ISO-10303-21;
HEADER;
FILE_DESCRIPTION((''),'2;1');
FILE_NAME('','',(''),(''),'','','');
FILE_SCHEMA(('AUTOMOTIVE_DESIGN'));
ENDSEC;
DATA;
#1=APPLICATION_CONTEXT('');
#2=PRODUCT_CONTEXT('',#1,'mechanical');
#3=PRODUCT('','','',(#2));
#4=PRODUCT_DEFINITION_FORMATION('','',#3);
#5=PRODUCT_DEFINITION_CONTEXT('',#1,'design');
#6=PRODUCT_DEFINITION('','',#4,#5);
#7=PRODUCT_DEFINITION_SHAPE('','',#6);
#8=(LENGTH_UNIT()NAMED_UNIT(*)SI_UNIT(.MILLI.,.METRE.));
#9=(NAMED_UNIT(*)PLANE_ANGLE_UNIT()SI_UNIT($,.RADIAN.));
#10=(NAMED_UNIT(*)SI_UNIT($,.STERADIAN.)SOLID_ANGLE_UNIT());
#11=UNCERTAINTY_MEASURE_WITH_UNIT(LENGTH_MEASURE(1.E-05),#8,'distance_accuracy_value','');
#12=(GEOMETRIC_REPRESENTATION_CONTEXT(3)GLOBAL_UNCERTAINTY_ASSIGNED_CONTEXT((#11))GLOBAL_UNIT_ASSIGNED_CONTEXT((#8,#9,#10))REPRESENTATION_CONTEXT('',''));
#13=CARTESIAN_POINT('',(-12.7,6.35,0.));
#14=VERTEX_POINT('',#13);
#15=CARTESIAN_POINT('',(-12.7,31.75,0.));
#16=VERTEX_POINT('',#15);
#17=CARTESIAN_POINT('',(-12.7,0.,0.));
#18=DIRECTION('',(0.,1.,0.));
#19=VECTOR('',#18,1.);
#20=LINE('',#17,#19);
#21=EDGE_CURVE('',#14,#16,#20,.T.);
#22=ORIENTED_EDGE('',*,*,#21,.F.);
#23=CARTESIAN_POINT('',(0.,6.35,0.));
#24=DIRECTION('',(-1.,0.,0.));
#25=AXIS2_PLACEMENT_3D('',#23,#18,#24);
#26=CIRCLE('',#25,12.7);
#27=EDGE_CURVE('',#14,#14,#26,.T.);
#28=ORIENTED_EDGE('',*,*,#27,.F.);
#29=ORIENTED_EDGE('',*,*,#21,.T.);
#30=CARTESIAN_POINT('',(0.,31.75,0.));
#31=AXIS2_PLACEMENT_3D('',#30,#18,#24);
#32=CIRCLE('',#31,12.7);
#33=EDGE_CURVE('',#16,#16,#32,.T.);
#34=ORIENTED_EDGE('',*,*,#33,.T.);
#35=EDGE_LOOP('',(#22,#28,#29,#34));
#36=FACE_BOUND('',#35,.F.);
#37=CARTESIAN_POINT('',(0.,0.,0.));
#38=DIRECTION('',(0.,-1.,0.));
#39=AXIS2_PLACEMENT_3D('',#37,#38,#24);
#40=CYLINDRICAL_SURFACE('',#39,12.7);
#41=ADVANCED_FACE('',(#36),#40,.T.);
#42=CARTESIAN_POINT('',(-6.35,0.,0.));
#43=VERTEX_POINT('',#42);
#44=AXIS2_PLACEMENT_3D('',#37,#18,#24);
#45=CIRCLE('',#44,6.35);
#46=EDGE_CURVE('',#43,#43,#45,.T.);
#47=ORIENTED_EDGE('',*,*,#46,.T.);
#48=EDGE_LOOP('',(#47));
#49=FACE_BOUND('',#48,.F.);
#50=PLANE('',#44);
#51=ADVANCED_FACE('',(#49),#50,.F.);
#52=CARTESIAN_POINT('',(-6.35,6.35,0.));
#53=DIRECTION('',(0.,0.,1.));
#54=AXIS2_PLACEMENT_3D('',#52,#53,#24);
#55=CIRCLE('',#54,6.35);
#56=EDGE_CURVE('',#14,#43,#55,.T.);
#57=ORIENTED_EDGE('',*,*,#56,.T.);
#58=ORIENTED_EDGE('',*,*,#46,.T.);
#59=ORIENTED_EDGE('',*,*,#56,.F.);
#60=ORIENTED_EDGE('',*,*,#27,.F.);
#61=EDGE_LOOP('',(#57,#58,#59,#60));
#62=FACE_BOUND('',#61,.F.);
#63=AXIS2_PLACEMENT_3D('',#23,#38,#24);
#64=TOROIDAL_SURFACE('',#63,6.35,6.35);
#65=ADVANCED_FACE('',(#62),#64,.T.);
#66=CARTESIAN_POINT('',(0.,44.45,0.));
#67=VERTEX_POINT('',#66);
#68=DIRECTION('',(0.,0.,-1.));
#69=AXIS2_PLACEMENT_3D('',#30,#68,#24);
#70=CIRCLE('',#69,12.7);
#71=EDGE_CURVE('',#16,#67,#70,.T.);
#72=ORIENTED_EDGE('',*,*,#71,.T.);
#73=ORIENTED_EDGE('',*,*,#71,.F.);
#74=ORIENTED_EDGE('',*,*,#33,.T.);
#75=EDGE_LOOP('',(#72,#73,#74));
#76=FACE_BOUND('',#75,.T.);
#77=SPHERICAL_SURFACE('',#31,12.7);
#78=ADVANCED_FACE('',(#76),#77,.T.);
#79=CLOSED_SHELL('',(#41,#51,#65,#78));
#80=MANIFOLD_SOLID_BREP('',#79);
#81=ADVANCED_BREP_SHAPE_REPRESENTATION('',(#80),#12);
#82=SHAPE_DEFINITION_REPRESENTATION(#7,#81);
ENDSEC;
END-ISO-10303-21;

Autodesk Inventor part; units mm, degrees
ref_plane "YZ Plane" through (0, 0, 0) normal (1, 0, 0) x (0, 1, 0)
ref_plane "XZ Plane" through (0, 0, 0) normal (0, 1, 0) x (-1, 0, 0)
ref_plane "XY Plane" through (0, 0, 0) normal (0, 0, 1) x (1, 0, 0)
sketch "Sketch1" plane through (0, 0, 0) normal (0, 1, 0) x (-1, 0, 0)
  circle A0 centre (0, 0) radius 12.7
  point P0 (0, -12.7)
  dimension "d0" = 25.4
extrude "Extrusion1" add sketch "Sketch1" along normal blind 44.45
fillet "Fillet1" radius 12.7 1 edges at (12.7, 44.45, 0)
fillet "Fillet2" radius 6.35 1 edges at (12.7, 0, 0)
properties part number "minion-body" material "PAEK Plastic"
